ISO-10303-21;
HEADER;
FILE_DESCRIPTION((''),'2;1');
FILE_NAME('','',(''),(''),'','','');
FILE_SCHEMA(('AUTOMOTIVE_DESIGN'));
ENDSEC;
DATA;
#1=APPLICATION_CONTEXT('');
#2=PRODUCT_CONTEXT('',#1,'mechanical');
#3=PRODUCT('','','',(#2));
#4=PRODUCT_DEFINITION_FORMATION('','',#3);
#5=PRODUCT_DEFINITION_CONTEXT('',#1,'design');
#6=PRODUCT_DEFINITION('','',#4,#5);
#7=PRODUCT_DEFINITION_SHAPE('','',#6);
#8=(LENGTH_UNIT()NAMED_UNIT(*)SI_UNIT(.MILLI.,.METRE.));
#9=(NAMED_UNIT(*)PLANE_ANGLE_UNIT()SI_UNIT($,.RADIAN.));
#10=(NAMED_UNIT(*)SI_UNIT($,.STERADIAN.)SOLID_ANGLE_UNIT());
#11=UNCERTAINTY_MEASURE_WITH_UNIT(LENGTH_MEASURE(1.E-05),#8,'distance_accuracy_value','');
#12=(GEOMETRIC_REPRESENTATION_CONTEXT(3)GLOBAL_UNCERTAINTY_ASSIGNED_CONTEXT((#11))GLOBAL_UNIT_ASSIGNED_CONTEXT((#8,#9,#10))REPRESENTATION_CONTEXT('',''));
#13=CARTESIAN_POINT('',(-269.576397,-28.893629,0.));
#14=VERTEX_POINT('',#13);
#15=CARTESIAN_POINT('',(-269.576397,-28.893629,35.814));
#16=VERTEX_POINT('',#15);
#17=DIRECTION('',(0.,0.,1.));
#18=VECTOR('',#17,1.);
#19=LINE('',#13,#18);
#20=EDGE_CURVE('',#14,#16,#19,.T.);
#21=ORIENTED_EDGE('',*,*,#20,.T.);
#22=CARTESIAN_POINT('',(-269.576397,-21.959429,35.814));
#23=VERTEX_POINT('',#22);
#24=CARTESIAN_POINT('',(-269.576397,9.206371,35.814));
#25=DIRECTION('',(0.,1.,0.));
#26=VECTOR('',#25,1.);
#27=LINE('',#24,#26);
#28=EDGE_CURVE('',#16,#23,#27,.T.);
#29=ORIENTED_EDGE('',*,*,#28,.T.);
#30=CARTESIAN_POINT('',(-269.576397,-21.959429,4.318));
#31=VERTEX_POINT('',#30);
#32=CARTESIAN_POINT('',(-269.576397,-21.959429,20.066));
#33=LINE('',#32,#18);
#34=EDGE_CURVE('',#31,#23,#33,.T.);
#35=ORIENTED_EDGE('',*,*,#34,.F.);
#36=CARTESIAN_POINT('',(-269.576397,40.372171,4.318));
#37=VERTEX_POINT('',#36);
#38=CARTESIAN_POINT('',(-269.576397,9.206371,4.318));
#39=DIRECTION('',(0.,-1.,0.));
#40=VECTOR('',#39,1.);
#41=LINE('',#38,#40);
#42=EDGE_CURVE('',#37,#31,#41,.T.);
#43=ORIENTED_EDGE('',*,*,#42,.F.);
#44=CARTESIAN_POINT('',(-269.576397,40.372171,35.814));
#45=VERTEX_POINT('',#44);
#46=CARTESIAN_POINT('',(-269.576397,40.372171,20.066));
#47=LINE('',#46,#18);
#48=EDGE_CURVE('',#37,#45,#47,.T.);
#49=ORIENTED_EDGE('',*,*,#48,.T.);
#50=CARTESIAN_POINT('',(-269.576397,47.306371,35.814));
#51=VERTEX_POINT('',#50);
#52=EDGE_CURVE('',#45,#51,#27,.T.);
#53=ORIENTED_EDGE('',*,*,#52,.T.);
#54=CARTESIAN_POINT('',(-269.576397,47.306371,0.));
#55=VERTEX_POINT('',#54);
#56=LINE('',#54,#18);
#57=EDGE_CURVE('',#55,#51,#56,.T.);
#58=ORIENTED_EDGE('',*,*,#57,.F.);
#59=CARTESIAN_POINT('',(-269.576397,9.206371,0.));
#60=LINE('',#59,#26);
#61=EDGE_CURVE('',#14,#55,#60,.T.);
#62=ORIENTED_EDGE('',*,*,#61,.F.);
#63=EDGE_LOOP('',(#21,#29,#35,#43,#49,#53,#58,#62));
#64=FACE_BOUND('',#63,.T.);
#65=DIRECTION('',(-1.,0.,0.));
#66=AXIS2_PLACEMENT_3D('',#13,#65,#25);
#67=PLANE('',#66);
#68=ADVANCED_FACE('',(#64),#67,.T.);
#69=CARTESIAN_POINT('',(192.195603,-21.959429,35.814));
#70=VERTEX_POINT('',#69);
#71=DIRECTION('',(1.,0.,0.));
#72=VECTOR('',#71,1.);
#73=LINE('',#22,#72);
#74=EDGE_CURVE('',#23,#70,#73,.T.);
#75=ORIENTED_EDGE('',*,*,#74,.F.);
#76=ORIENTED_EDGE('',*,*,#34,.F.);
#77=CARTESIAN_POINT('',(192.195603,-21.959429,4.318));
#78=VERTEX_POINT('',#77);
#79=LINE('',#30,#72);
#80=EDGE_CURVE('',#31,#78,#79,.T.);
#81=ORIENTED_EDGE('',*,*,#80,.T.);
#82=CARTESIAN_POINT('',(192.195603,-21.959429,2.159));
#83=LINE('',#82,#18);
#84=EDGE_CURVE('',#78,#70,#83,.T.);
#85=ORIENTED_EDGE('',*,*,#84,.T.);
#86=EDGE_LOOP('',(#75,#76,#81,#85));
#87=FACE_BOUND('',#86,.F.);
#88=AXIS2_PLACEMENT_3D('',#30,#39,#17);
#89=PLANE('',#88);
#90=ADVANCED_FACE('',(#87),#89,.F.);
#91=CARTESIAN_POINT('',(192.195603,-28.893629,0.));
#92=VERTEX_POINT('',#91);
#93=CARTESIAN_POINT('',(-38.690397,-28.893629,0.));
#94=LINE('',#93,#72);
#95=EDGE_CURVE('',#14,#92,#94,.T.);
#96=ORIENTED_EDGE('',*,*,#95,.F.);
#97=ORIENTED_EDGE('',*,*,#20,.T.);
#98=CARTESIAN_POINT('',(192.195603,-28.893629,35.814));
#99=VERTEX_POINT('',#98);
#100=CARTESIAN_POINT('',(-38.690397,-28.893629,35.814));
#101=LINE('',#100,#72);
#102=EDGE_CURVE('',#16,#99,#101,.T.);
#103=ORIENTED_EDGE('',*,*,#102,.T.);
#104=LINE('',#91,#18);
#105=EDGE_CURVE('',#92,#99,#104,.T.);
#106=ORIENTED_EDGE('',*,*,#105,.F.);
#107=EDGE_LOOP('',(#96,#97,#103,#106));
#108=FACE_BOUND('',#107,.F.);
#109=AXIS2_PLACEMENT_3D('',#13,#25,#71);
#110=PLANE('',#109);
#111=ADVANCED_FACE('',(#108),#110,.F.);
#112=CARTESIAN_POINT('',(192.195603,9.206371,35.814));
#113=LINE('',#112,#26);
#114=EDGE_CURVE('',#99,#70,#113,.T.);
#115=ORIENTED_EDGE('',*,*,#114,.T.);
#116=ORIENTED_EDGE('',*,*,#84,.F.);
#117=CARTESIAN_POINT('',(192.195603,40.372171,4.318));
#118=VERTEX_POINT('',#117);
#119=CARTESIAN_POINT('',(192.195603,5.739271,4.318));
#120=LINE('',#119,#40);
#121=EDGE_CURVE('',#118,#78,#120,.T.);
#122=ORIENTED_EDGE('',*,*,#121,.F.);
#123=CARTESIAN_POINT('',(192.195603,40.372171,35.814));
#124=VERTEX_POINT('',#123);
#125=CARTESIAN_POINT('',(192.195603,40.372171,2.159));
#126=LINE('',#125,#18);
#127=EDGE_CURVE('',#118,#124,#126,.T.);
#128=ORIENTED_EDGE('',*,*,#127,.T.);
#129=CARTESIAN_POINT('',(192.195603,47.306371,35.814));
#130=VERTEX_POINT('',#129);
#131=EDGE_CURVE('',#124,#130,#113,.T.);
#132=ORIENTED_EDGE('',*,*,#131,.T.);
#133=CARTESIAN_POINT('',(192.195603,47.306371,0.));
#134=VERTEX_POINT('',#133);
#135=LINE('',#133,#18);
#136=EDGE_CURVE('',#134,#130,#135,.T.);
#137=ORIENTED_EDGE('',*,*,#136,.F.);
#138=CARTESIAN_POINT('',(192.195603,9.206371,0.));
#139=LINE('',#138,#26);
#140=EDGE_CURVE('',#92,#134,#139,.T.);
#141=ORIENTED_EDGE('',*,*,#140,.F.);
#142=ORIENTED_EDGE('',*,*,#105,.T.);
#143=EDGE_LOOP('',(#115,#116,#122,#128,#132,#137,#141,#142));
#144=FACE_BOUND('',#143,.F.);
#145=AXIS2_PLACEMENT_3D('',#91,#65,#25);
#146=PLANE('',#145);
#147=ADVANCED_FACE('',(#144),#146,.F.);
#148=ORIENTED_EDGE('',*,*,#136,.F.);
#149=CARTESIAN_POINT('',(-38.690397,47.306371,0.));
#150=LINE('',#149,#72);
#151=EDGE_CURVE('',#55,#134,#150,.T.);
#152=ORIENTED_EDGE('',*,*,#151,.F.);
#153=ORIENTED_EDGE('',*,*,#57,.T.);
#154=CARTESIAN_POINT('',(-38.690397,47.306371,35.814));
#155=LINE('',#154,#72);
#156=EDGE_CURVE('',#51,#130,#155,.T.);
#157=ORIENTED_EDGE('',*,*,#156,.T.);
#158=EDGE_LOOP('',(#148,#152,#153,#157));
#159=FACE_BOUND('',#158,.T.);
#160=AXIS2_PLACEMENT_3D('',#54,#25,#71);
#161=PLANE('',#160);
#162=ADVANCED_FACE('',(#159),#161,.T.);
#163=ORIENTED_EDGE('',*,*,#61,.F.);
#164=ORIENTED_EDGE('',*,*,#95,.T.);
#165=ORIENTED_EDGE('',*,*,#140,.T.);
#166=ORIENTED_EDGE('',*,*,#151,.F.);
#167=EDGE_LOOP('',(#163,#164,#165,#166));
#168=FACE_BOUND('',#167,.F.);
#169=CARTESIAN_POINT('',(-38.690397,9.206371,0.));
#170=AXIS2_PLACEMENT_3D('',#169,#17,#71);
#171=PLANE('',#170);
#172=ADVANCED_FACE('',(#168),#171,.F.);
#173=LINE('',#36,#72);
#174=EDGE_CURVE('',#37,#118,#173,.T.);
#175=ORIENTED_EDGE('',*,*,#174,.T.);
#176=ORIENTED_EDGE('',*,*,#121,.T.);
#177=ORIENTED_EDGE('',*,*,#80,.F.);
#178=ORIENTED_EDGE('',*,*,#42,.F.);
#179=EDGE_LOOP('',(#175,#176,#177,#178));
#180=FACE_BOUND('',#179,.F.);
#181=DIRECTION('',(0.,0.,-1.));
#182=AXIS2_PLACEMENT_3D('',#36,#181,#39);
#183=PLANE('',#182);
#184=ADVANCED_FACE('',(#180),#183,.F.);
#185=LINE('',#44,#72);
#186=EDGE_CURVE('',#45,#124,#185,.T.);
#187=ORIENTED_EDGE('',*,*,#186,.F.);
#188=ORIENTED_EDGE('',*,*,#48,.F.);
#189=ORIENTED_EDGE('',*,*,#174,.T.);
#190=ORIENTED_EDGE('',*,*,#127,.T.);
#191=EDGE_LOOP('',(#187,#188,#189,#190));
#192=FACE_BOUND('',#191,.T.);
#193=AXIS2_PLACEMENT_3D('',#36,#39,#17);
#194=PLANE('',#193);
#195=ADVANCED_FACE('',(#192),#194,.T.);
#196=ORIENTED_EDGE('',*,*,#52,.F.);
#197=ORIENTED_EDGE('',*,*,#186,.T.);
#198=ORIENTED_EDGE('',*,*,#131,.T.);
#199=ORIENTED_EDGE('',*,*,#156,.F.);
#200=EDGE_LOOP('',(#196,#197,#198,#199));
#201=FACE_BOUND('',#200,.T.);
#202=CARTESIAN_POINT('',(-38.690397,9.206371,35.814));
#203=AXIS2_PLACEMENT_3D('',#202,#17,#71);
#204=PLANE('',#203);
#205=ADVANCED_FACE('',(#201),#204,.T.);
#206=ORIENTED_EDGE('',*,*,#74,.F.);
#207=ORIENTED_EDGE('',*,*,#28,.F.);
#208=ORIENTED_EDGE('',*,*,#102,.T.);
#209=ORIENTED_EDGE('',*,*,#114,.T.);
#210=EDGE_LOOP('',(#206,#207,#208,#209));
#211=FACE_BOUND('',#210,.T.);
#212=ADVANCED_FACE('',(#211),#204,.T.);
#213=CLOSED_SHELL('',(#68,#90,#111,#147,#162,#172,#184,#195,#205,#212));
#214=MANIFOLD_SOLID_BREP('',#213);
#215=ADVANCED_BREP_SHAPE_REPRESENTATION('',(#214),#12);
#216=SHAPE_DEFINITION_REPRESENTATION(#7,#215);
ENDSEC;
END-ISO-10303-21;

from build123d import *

# Parameters (mm, degrees)
F0_W     = 461.772
F0_H     = 76.2
F1_DEPTH = 35.814
F2_W     = 62.3316
F2_H     = 31.496
F3_DEPTH = 461.773


with BuildPart() as f1:
    # F0 (on Top) → F1 (new body)
    with BuildSketch(Plane.XY):
        with Locations((-38.690397, 9.206371)):
            Rectangle(F0_W, F0_H)
    extrude(amount=F1_DEPTH)

    # F2 (on face) → F3 (cut, through all)
    with BuildSketch(Plane(origin=(-269.576397, 0, 0), x_dir=(0, -1, 0), z_dir=(-1, 0, 0))):
        with Locations((-9.206371, 20.066)):
            Rectangle(F2_W, F2_H)
    extrude(amount=-F3_DEPTH, mode=Mode.SUBTRACT)


solid = f1.part
